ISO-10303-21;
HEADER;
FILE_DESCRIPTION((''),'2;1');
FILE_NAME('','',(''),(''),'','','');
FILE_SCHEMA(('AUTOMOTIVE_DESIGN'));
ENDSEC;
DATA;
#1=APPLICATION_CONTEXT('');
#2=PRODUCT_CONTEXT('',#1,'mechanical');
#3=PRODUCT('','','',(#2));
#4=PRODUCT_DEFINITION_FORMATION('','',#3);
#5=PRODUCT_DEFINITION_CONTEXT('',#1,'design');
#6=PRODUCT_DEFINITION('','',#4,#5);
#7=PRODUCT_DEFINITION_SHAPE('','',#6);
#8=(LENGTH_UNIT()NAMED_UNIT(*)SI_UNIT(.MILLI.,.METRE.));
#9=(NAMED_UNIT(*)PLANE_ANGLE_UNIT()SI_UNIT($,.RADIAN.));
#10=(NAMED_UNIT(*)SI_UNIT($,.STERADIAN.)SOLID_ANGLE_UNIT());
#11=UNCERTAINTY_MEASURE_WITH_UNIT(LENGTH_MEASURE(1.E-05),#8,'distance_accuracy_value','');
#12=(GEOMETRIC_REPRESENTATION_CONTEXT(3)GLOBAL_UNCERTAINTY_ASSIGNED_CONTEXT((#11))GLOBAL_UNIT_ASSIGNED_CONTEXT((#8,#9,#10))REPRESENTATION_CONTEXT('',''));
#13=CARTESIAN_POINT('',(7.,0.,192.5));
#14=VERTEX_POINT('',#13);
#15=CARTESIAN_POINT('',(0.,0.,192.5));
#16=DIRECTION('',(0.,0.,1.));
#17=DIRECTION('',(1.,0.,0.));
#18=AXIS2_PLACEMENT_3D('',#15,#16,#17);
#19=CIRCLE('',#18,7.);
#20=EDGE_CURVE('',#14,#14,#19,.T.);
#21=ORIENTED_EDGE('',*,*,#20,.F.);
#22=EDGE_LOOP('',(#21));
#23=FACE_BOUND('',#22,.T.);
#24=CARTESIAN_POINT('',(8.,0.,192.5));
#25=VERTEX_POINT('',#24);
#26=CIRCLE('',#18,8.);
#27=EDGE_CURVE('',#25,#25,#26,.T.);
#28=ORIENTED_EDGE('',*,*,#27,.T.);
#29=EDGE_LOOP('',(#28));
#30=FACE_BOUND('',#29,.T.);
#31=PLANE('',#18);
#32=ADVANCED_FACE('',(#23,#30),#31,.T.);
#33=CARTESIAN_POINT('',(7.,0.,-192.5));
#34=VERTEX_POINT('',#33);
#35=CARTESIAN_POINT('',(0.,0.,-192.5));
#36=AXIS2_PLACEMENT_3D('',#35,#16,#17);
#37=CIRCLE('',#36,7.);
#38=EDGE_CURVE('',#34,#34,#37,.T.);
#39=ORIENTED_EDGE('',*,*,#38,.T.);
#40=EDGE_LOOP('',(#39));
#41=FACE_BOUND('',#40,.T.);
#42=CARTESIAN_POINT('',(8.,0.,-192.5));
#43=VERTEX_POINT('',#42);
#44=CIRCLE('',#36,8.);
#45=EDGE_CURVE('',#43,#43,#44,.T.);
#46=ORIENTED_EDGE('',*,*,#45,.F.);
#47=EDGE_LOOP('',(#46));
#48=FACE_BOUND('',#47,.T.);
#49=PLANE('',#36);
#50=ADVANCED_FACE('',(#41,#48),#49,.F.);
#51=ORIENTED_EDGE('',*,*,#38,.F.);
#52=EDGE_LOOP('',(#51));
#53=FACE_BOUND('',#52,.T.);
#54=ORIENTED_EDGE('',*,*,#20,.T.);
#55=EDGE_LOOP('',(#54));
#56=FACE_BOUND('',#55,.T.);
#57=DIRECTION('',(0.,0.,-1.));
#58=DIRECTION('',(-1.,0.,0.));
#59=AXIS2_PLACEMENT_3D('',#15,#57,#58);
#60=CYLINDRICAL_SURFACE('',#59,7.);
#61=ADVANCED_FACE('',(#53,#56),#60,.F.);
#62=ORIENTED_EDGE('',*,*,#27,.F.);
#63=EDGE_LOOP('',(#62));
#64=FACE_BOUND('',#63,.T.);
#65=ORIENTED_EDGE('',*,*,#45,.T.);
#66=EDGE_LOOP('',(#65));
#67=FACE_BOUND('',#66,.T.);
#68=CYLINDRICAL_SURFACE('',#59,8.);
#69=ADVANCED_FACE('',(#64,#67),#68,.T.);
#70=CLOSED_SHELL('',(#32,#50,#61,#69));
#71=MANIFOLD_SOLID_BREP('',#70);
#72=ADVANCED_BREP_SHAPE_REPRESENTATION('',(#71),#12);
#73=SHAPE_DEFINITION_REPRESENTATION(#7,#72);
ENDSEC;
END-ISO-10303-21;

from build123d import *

# Parameters (mm, degrees)
SKETCH_1_R      = 8
SKETCH_1_R_2    = 7
EXTRUDE_1_DEPTH = 192.5


with BuildPart() as part:
    # 草图1 → 凸台-拉伸1 (new, symmetric)
    with BuildSketch(Plane.XY):
        Circle(SKETCH_1_R)
        Circle(SKETCH_1_R_2, mode=Mode.SUBTRACT)
    extrude(amount=EXTRUDE_1_DEPTH, both=True)


solid = part.part
